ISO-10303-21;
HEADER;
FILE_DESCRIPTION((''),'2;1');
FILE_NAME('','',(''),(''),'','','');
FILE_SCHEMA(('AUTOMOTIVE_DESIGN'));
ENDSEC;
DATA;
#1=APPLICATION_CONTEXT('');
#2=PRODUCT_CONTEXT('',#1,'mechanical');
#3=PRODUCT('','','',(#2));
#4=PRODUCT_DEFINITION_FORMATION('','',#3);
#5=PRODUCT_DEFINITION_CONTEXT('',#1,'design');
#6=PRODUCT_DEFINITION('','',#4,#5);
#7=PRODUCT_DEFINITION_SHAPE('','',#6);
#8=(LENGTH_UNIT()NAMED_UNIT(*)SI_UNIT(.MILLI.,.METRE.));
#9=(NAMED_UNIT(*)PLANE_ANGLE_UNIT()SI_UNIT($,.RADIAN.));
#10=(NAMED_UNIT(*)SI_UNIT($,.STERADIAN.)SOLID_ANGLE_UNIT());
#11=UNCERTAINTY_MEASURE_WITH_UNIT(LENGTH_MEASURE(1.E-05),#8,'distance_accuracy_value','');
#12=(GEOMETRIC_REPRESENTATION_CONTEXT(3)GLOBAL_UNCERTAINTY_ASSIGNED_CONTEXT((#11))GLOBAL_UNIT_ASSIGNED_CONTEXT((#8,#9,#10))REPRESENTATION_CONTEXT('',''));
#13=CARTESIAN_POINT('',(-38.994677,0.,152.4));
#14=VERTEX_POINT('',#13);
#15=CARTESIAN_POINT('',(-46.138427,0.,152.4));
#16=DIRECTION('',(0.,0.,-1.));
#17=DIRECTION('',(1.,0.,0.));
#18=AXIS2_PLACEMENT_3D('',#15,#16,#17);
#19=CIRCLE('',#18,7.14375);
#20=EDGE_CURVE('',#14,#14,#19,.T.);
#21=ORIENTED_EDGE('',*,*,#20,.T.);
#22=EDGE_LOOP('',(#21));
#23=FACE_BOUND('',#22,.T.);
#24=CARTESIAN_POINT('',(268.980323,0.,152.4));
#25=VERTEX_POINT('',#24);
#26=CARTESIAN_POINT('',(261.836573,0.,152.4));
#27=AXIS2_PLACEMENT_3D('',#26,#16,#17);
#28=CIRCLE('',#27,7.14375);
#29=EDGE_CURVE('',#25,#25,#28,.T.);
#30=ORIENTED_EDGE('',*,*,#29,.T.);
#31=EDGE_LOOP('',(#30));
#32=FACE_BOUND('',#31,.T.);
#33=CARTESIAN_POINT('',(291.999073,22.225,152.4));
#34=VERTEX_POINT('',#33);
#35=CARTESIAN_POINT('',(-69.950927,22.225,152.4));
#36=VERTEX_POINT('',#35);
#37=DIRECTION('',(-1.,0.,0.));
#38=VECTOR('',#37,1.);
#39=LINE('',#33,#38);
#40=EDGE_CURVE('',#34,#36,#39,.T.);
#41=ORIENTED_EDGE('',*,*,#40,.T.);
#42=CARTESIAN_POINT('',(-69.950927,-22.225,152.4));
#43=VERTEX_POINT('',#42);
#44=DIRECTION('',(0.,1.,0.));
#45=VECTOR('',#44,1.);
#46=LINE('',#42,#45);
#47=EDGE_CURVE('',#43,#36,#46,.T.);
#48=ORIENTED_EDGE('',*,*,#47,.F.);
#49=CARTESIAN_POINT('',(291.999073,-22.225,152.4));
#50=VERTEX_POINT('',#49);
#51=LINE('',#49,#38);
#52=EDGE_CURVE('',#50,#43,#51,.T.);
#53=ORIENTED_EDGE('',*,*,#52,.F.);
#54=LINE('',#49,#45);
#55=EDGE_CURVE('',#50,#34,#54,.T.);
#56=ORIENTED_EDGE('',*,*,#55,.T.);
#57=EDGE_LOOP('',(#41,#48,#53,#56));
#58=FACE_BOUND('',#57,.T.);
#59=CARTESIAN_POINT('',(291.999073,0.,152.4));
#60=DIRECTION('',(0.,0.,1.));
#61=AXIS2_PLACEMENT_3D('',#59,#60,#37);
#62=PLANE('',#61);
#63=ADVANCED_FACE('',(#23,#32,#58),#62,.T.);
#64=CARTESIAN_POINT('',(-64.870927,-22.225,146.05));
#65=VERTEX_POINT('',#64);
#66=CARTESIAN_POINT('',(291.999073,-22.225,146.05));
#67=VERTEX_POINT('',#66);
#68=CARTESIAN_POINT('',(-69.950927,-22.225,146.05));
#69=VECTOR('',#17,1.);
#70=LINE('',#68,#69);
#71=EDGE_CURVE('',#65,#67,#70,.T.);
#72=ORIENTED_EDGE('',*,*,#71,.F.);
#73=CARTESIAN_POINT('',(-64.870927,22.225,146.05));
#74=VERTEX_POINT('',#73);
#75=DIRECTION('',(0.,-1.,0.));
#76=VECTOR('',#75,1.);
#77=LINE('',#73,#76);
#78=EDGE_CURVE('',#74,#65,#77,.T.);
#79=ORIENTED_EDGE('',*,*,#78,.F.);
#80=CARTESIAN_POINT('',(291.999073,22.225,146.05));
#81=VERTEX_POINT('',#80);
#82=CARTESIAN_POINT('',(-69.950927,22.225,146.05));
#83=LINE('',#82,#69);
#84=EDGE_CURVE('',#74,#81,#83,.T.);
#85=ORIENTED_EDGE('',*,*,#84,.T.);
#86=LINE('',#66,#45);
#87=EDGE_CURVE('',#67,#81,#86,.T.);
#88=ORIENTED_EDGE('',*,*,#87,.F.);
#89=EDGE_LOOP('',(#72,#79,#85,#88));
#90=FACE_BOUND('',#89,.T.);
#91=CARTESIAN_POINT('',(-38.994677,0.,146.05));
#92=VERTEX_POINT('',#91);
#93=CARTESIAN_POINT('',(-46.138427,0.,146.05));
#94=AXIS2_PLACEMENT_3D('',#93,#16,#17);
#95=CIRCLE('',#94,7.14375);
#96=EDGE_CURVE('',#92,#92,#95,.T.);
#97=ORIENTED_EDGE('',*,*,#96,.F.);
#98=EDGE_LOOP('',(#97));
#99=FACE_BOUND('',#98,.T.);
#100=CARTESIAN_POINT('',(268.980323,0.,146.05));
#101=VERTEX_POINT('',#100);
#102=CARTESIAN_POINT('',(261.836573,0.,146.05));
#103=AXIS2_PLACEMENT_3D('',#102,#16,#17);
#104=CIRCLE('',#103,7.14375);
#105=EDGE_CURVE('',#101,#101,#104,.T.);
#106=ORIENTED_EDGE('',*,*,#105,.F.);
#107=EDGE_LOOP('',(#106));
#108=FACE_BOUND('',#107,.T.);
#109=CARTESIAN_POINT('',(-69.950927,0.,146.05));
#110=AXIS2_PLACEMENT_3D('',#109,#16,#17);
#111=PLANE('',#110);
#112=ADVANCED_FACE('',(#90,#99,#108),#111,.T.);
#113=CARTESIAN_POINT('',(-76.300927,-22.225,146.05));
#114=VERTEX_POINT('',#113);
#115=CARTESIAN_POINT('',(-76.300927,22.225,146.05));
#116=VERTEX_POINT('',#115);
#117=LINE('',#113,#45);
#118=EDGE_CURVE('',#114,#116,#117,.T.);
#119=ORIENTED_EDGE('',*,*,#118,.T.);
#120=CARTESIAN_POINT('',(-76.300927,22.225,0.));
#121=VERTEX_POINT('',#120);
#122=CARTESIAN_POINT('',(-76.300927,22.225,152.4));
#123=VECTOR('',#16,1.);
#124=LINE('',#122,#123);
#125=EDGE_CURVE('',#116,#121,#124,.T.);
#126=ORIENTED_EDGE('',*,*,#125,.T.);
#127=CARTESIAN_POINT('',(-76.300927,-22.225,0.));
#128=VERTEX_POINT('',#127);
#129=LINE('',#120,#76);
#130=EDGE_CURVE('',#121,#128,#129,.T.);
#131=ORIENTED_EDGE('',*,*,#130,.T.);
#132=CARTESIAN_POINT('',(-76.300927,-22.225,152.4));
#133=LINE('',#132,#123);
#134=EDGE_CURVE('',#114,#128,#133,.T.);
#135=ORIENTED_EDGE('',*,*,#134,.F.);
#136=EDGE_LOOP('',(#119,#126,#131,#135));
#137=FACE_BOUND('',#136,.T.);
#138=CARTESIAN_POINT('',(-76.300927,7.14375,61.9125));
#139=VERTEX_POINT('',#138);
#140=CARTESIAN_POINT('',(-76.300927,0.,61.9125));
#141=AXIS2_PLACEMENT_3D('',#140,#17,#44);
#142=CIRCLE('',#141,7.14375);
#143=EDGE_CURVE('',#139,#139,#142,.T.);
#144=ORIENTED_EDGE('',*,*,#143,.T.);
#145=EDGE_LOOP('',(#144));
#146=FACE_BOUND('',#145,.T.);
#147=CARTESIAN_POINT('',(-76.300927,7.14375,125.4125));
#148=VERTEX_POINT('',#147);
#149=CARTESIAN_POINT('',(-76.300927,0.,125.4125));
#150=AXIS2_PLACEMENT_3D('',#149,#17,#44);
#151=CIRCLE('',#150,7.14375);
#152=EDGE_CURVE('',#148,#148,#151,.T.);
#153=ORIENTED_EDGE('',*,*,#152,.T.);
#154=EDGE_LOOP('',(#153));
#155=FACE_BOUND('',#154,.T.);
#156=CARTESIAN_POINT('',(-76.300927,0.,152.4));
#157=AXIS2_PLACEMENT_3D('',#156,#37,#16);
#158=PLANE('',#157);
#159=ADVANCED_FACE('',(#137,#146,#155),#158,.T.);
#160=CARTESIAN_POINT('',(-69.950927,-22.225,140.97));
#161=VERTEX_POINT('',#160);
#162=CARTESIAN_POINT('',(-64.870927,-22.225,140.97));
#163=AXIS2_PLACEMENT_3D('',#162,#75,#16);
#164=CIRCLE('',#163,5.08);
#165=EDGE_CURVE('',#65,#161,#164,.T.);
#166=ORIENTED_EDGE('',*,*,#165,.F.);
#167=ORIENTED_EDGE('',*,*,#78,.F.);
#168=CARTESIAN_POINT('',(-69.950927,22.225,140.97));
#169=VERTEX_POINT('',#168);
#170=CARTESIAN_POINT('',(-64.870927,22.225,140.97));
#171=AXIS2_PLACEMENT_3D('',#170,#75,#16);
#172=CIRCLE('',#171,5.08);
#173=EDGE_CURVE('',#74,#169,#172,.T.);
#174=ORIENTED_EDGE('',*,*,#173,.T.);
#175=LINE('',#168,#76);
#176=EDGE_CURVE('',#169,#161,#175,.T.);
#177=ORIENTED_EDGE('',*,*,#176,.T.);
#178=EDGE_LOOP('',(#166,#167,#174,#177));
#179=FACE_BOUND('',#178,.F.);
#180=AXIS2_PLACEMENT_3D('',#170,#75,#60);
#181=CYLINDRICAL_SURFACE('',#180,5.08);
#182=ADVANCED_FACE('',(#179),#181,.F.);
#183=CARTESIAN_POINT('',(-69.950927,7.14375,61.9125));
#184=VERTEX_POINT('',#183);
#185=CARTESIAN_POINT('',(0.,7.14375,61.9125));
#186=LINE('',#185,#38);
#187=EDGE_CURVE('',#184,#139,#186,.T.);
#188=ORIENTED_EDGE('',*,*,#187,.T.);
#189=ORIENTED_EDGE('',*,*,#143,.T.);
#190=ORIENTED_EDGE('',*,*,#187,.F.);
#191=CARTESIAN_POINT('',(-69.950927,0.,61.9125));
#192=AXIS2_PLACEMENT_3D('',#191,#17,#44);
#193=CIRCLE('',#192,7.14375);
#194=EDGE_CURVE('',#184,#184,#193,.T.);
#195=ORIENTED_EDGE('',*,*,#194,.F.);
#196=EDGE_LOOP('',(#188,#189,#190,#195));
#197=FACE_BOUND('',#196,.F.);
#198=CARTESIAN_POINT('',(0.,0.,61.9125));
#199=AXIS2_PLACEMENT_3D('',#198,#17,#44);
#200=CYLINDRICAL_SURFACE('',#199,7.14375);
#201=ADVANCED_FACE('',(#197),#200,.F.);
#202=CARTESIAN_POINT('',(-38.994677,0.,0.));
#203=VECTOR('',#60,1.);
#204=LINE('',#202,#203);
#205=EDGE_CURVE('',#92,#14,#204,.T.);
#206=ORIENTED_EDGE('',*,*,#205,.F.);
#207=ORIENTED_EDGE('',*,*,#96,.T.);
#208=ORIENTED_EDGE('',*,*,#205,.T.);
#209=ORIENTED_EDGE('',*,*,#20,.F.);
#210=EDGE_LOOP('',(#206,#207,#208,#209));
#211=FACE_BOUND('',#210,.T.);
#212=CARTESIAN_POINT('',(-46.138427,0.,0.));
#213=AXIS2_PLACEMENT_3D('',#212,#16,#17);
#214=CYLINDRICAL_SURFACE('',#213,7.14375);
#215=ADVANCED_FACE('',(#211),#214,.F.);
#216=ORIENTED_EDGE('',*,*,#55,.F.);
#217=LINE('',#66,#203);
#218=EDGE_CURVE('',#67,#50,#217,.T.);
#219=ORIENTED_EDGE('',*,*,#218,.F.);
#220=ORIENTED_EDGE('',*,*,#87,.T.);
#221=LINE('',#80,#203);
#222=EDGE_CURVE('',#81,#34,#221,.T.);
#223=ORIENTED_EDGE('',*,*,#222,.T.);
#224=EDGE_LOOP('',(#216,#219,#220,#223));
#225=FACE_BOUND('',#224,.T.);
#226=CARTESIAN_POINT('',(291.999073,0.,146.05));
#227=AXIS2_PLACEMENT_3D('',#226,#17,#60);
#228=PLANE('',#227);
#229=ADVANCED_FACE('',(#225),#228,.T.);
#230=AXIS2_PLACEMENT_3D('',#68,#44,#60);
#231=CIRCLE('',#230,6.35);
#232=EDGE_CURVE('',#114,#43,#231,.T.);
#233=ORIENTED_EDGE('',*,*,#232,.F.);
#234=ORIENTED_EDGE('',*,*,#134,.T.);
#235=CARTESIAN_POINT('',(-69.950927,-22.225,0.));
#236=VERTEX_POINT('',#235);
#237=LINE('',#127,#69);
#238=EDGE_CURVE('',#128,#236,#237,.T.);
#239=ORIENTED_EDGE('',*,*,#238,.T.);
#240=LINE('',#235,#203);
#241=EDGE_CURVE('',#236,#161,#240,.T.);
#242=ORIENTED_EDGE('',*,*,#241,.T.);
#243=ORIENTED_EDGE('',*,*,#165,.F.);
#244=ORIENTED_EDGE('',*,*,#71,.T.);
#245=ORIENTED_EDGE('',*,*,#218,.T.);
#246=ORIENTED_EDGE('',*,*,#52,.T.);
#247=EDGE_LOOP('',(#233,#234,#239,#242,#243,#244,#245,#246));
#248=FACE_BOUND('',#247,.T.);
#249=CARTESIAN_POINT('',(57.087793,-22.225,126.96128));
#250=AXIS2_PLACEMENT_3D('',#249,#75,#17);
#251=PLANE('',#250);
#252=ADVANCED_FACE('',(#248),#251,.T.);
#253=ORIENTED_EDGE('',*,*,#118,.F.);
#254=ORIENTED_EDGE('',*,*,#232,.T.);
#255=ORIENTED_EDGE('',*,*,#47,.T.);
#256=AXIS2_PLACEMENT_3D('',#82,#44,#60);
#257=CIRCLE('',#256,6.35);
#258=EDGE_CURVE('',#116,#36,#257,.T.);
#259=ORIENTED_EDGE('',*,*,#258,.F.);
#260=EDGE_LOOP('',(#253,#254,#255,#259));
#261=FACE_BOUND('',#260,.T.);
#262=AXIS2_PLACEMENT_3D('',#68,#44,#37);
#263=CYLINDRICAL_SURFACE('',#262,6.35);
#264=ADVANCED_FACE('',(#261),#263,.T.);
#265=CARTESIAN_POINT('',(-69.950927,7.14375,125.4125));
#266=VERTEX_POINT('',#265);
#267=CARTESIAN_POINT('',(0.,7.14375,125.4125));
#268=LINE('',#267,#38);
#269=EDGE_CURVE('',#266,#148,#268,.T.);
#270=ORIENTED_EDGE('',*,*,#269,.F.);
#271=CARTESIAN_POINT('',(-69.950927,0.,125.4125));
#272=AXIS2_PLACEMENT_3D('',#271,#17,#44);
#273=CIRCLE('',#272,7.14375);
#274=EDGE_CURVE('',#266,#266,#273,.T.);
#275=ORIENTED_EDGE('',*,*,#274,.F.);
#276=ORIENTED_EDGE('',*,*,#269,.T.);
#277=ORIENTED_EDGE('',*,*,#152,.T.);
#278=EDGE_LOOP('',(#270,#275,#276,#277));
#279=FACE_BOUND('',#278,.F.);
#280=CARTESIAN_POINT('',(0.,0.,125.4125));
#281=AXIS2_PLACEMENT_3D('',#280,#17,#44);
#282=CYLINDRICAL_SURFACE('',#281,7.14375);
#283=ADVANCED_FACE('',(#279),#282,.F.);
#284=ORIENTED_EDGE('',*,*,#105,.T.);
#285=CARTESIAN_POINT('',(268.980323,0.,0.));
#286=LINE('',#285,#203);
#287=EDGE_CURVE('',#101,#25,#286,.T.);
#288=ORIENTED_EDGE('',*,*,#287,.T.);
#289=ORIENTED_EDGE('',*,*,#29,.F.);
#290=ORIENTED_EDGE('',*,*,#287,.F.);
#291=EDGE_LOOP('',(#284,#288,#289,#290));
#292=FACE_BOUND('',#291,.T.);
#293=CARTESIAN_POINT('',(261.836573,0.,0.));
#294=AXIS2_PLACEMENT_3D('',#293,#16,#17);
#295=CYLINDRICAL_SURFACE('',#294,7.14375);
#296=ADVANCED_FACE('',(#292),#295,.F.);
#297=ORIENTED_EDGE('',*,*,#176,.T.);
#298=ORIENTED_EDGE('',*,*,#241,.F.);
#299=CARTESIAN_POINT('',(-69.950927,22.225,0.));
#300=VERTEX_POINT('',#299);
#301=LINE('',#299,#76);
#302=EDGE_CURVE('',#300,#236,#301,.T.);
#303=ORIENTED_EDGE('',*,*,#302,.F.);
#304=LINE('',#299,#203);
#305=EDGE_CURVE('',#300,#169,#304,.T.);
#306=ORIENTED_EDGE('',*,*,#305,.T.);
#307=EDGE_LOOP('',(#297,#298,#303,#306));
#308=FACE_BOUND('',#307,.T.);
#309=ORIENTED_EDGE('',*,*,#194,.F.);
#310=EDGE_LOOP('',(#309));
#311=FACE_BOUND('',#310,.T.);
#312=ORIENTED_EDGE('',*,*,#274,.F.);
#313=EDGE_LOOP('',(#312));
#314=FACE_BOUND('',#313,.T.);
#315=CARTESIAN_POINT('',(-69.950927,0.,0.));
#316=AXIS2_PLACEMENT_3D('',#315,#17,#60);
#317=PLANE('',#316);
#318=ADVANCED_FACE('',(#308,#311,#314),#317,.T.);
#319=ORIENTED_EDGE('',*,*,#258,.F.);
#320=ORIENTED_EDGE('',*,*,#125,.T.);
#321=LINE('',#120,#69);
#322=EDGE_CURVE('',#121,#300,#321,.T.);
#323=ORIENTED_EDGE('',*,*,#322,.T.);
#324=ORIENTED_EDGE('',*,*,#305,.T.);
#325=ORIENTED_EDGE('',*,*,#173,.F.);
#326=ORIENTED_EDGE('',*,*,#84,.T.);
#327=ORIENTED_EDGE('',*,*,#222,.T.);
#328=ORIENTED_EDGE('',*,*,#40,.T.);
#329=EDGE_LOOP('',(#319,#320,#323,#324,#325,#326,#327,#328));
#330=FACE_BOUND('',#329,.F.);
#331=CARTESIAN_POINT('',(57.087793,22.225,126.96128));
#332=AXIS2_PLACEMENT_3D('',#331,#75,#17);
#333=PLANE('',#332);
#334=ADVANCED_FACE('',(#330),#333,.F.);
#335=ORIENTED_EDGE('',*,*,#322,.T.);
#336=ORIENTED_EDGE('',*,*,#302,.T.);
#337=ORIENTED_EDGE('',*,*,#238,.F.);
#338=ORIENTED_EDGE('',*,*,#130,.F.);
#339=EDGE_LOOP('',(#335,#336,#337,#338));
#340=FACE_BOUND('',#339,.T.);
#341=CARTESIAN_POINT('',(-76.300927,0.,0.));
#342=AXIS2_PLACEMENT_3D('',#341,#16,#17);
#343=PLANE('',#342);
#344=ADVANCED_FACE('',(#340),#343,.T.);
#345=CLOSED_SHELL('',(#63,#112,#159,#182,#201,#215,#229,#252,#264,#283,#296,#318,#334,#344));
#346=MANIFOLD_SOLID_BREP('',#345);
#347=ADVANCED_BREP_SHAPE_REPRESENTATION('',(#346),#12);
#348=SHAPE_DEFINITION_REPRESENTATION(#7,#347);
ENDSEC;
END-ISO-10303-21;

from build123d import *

# Parameters (mm, degrees)
F1_DEPTH = 22.225
F2_R     = 5.08
F3_R     = 6.35
F4_R     = 7.14375
F5_DEPTH = 152.401
F6_R     = 7.14375
F7_DEPTH = 76.301927


with BuildPart() as f1:
    # F0 (on Front) → F1 (new body, symmetric)
    with BuildSketch(Plane.XZ):
        Polygon((-76.300927, 152.4), (-76.300927, 0), (-69.950927, 0), (-69.950927, 146.05), (291.999073, 146.05), (291.999073, 152.4), align=None)
    extrude(amount=F1_DEPTH, both=True)

    # F2
    f2_edges = [f1.edges().sort_by_distance(p)[0] for p in [
        (-69.950927, 0, 146.05),
    ]]
    fillet(f2_edges, radius=F2_R)

    # F3
    f3_edges = [f1.edges().sort_by_distance(p)[0] for p in [
        (-76.300927, 0, 152.4),
    ]]
    fillet(f3_edges, radius=F3_R)

    # F4 (on Top) → F5 (cut, through all)
    with BuildSketch(Plane.XY):
        with Locations((261.836573, 0)):
            Circle(F4_R)
        with Locations((-46.138427, 0)):
            Circle(F4_R)
    extrude(amount=F5_DEPTH, mode=Mode.SUBTRACT)

    # F6 (on Right) → F7 (cut, through all)
    with BuildSketch(Plane.YZ):
        with Locations((0, 125.4125)):
            Circle(F6_R)
        with Locations((0, 61.9125)):
            Circle(F6_R)
    extrude(amount=-F7_DEPTH, mode=Mode.SUBTRACT)


solid = f1.part
